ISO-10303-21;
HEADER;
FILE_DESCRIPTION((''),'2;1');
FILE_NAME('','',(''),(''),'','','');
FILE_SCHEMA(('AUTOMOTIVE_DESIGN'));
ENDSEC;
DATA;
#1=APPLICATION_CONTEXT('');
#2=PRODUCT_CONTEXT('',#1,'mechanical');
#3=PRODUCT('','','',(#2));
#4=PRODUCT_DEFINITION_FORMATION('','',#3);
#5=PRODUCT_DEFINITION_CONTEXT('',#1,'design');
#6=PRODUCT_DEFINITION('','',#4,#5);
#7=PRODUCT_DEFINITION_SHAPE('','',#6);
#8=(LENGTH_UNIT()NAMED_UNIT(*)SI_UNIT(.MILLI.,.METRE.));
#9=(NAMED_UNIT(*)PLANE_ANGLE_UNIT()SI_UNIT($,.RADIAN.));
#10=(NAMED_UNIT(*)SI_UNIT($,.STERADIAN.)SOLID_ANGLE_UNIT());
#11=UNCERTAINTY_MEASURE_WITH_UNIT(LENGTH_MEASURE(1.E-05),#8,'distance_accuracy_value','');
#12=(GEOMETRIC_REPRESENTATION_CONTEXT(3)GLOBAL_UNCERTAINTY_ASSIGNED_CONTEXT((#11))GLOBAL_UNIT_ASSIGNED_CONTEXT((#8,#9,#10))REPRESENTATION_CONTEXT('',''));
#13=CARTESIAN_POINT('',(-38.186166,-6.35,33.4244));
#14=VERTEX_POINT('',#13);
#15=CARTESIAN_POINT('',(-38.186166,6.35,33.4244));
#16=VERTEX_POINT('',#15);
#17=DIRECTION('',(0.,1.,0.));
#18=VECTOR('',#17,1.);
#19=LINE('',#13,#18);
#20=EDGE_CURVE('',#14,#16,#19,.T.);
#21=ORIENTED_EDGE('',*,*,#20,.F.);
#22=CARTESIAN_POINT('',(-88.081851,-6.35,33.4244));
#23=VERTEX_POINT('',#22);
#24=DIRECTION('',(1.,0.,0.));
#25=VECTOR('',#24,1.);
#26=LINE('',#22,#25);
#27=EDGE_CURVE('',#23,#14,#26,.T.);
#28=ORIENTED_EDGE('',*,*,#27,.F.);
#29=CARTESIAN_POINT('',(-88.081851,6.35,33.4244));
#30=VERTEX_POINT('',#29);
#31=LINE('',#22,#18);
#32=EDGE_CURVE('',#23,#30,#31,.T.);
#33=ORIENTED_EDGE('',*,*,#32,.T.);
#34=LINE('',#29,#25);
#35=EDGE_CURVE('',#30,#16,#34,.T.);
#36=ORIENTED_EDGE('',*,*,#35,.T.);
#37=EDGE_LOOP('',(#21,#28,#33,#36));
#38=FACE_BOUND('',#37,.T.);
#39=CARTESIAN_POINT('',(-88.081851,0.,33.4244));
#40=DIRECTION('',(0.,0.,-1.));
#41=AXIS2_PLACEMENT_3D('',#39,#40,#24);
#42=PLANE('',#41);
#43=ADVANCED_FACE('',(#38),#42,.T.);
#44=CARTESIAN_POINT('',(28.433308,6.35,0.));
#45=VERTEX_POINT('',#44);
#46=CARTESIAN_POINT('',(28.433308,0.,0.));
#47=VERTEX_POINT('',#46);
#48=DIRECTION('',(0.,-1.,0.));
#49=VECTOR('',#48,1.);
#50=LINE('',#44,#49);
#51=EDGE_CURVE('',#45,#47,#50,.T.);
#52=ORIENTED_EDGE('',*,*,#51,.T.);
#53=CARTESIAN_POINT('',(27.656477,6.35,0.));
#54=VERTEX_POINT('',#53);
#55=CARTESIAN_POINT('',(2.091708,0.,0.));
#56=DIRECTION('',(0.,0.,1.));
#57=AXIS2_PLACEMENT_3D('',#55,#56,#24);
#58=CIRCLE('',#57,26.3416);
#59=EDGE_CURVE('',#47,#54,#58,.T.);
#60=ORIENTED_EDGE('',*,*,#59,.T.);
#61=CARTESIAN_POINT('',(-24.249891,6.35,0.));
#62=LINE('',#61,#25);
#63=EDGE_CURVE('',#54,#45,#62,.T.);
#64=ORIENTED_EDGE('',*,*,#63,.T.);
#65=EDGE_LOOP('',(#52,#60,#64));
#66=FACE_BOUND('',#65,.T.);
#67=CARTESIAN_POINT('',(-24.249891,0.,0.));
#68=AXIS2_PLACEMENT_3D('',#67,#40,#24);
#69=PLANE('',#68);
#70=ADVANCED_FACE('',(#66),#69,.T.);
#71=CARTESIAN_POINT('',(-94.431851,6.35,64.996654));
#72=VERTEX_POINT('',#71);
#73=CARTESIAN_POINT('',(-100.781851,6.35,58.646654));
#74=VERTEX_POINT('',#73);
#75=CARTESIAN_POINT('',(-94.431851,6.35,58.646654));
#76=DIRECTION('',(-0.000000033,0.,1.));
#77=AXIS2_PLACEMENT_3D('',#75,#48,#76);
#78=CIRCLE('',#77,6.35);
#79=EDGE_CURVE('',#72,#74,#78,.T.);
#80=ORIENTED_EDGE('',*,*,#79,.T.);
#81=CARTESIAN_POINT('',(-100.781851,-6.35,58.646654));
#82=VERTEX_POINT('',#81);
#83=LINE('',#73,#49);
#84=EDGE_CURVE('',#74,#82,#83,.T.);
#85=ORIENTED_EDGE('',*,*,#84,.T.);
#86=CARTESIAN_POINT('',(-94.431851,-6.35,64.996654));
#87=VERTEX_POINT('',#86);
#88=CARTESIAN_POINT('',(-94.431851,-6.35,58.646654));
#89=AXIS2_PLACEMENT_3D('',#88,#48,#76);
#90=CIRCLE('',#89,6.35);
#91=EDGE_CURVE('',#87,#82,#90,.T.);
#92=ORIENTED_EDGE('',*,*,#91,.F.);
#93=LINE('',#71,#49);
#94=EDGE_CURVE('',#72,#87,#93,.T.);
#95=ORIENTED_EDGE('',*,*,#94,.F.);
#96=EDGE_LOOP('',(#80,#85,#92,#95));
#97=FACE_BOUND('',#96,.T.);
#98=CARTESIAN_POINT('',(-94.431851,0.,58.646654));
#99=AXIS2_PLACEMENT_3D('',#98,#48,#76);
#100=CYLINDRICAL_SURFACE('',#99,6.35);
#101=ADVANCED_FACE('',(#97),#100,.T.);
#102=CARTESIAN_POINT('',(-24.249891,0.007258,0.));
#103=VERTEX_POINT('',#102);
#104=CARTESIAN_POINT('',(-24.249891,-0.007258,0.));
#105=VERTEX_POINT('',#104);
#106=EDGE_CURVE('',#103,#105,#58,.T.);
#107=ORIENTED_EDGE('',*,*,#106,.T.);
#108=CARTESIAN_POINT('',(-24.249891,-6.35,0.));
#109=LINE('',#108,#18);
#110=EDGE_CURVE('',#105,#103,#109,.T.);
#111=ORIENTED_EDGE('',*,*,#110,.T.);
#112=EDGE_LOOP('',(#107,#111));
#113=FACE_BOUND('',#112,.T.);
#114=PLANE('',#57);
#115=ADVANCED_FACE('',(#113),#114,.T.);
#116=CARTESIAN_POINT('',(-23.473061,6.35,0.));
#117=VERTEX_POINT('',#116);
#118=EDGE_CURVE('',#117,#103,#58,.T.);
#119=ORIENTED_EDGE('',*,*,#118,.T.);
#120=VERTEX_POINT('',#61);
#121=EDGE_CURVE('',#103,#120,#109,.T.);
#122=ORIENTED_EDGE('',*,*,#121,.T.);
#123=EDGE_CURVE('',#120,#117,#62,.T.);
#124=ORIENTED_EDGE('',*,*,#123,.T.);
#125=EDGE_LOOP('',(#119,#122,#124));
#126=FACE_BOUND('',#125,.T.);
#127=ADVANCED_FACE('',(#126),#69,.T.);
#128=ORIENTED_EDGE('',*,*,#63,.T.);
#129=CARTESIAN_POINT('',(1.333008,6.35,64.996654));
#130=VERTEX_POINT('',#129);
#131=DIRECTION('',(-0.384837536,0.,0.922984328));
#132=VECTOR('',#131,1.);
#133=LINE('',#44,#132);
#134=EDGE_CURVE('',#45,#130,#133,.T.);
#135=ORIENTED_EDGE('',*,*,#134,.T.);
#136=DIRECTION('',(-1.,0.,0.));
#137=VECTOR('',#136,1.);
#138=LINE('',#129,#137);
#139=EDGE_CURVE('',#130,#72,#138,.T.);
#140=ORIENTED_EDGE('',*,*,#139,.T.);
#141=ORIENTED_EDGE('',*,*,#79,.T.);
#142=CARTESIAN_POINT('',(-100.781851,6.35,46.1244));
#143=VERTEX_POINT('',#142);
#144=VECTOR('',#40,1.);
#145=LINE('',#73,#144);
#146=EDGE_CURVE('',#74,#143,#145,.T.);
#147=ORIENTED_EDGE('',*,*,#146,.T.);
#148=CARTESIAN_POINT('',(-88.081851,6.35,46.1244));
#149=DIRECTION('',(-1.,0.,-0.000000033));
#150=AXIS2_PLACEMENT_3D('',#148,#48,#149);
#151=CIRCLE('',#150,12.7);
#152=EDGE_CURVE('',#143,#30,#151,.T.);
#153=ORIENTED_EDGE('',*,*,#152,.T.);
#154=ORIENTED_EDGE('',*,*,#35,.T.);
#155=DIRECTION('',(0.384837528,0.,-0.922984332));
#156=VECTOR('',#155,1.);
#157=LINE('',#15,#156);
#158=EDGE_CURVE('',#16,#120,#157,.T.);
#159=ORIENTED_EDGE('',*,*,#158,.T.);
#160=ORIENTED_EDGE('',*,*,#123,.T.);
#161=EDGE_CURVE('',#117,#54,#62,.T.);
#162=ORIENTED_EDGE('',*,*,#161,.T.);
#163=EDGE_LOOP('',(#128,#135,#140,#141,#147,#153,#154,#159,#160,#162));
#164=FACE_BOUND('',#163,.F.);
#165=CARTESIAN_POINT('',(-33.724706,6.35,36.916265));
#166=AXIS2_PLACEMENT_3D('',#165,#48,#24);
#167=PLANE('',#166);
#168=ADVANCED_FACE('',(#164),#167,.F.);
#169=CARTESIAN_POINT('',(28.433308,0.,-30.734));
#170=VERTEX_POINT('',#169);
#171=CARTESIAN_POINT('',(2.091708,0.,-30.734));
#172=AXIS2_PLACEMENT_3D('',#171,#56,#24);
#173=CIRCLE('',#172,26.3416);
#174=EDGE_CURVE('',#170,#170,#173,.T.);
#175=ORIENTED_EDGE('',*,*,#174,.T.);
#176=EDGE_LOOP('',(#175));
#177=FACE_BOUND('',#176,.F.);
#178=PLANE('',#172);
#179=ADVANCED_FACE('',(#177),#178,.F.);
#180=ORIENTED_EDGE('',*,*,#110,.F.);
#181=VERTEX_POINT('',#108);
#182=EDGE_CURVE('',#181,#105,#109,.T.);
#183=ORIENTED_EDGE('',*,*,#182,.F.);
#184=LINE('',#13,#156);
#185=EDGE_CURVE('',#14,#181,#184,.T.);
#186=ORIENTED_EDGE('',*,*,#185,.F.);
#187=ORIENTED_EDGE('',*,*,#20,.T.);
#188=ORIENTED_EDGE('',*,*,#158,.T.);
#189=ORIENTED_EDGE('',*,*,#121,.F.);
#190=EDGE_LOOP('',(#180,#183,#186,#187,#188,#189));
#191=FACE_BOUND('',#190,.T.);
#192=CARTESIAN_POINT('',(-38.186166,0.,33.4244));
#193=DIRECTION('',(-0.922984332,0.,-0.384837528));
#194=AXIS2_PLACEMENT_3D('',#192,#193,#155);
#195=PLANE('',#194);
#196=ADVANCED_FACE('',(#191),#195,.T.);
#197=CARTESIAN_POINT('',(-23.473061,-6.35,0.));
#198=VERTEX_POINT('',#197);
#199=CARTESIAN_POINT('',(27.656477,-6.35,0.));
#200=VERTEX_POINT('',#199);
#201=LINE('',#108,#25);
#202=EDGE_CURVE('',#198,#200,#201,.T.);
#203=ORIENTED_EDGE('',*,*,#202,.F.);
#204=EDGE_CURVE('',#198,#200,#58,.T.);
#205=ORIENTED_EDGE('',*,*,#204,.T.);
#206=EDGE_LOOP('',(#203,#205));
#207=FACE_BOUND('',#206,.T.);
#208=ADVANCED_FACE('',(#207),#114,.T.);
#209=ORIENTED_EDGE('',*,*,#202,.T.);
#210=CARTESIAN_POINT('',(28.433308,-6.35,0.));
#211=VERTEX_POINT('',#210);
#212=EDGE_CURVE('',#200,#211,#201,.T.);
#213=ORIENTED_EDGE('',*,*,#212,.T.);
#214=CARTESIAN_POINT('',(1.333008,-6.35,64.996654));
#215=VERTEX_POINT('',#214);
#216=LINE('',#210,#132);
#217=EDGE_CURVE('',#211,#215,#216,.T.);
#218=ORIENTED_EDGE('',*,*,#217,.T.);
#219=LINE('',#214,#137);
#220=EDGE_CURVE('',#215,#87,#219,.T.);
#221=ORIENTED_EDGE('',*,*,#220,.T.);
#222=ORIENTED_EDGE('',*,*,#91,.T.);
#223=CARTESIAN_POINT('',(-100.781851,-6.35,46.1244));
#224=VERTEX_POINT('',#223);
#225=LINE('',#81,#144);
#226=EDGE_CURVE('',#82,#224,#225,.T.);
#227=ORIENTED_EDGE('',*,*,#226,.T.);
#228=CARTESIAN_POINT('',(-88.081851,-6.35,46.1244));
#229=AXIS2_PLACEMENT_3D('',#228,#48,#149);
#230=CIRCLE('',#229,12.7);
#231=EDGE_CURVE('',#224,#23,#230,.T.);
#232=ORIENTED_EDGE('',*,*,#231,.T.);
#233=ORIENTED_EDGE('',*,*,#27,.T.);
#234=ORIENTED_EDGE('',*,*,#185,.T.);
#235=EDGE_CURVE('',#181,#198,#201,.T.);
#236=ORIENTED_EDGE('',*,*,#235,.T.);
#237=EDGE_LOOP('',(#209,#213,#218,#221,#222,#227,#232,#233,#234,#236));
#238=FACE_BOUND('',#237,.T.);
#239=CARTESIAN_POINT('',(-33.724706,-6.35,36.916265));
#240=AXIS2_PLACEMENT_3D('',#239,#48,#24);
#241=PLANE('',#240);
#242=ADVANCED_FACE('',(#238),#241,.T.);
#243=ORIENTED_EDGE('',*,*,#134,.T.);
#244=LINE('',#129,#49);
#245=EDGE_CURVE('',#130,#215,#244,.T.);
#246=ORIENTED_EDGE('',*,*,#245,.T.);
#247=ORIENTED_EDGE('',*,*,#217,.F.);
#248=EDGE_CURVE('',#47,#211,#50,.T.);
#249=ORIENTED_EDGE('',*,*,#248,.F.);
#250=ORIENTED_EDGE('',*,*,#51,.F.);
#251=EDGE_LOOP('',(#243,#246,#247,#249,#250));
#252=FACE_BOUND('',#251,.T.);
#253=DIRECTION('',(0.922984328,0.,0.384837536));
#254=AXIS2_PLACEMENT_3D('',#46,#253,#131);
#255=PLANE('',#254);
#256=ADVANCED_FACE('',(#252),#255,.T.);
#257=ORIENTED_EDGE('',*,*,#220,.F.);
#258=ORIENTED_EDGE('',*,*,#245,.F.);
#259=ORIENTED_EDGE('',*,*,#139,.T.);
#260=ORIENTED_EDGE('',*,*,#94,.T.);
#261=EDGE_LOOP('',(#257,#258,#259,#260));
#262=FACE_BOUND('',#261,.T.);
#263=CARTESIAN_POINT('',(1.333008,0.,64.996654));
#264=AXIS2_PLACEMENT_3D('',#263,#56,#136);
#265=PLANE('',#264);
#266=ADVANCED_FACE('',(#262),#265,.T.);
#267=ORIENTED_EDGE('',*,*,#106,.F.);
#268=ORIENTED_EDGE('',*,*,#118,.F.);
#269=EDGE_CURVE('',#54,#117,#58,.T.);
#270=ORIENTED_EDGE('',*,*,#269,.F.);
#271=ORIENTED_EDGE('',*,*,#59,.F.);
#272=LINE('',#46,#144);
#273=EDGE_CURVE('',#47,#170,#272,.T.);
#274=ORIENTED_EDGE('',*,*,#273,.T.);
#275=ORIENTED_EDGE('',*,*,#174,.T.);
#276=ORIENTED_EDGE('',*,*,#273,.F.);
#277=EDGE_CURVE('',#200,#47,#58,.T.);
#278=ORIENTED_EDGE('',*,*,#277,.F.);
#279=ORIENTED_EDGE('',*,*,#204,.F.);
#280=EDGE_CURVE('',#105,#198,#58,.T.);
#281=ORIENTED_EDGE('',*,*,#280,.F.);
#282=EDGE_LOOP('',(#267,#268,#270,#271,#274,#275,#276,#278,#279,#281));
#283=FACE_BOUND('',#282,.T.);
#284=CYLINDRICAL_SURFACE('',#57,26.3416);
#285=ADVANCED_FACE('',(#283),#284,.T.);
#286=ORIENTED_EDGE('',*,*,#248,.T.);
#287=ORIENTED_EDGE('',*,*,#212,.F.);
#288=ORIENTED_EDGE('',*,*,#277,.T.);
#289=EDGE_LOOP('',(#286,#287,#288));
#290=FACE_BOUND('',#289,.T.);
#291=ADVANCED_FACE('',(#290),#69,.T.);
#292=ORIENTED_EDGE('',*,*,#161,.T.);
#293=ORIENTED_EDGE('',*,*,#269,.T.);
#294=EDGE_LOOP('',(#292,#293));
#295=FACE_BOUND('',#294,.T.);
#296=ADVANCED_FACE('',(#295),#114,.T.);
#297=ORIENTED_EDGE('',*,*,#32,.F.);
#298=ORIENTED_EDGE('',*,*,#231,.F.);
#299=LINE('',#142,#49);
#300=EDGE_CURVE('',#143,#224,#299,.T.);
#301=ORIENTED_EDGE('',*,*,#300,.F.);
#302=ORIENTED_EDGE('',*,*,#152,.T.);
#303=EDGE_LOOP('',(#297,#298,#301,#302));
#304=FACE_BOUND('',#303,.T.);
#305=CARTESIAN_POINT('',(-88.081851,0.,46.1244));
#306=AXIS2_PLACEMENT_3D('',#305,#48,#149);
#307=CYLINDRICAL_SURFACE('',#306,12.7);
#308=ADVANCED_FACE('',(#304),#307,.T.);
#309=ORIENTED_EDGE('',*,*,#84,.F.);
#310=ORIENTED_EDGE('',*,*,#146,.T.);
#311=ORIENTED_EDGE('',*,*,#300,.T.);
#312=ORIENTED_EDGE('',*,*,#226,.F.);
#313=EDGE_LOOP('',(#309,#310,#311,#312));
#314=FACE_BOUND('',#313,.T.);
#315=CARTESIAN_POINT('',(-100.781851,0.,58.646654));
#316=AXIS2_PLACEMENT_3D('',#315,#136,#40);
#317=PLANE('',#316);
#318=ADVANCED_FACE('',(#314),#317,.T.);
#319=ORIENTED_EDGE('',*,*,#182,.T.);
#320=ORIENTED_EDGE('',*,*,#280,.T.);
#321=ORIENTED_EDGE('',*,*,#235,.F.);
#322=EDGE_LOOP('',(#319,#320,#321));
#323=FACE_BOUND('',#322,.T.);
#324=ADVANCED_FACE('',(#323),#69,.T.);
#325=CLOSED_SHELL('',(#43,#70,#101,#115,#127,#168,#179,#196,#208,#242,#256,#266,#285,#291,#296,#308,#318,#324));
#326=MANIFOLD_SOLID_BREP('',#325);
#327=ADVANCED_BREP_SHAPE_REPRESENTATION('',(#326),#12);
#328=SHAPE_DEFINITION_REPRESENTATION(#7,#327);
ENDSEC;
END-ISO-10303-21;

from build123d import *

# Parameters (mm, degrees)
F1_DEPTH = 6.35
F2_R     = 26.3416
F3_DEPTH = 30.734


with BuildPart() as f1:
    # F0 (on Front) → F1 (new body, symmetric)
    with BuildSketch(Plane.XZ):
        with BuildLine():
            Line((-24.249891, 0), (28.433308, 0))
            Line((28.433308, 0), (1.333008, 64.996654))
            Line((1.333008, 64.996654), (-94.431851, 64.996654))
            ThreePointArc((-94.431851, 64.996654), (-98.921979, 63.136782), (-100.781851, 58.646654))
            Line((-100.781851, 58.646654), (-100.781851, 46.1244))
            ThreePointArc((-100.781851, 46.1244), (-97.062107, 37.144144), (-88.081851, 33.4244))
            Line((-88.081851, 33.4244), (-38.186166, 33.4244))
            Line((-38.186166, 33.4244), (-24.249891, 0))
        make_face()
    extrude(amount=F1_DEPTH, both=True)

    # F2 (on Top) → F3 (join)
    with BuildSketch(Plane.XY):
        with Locations((2.091708, 0)):
            Circle(F2_R)
    extrude(amount=-F3_DEPTH)


solid = f1.part
